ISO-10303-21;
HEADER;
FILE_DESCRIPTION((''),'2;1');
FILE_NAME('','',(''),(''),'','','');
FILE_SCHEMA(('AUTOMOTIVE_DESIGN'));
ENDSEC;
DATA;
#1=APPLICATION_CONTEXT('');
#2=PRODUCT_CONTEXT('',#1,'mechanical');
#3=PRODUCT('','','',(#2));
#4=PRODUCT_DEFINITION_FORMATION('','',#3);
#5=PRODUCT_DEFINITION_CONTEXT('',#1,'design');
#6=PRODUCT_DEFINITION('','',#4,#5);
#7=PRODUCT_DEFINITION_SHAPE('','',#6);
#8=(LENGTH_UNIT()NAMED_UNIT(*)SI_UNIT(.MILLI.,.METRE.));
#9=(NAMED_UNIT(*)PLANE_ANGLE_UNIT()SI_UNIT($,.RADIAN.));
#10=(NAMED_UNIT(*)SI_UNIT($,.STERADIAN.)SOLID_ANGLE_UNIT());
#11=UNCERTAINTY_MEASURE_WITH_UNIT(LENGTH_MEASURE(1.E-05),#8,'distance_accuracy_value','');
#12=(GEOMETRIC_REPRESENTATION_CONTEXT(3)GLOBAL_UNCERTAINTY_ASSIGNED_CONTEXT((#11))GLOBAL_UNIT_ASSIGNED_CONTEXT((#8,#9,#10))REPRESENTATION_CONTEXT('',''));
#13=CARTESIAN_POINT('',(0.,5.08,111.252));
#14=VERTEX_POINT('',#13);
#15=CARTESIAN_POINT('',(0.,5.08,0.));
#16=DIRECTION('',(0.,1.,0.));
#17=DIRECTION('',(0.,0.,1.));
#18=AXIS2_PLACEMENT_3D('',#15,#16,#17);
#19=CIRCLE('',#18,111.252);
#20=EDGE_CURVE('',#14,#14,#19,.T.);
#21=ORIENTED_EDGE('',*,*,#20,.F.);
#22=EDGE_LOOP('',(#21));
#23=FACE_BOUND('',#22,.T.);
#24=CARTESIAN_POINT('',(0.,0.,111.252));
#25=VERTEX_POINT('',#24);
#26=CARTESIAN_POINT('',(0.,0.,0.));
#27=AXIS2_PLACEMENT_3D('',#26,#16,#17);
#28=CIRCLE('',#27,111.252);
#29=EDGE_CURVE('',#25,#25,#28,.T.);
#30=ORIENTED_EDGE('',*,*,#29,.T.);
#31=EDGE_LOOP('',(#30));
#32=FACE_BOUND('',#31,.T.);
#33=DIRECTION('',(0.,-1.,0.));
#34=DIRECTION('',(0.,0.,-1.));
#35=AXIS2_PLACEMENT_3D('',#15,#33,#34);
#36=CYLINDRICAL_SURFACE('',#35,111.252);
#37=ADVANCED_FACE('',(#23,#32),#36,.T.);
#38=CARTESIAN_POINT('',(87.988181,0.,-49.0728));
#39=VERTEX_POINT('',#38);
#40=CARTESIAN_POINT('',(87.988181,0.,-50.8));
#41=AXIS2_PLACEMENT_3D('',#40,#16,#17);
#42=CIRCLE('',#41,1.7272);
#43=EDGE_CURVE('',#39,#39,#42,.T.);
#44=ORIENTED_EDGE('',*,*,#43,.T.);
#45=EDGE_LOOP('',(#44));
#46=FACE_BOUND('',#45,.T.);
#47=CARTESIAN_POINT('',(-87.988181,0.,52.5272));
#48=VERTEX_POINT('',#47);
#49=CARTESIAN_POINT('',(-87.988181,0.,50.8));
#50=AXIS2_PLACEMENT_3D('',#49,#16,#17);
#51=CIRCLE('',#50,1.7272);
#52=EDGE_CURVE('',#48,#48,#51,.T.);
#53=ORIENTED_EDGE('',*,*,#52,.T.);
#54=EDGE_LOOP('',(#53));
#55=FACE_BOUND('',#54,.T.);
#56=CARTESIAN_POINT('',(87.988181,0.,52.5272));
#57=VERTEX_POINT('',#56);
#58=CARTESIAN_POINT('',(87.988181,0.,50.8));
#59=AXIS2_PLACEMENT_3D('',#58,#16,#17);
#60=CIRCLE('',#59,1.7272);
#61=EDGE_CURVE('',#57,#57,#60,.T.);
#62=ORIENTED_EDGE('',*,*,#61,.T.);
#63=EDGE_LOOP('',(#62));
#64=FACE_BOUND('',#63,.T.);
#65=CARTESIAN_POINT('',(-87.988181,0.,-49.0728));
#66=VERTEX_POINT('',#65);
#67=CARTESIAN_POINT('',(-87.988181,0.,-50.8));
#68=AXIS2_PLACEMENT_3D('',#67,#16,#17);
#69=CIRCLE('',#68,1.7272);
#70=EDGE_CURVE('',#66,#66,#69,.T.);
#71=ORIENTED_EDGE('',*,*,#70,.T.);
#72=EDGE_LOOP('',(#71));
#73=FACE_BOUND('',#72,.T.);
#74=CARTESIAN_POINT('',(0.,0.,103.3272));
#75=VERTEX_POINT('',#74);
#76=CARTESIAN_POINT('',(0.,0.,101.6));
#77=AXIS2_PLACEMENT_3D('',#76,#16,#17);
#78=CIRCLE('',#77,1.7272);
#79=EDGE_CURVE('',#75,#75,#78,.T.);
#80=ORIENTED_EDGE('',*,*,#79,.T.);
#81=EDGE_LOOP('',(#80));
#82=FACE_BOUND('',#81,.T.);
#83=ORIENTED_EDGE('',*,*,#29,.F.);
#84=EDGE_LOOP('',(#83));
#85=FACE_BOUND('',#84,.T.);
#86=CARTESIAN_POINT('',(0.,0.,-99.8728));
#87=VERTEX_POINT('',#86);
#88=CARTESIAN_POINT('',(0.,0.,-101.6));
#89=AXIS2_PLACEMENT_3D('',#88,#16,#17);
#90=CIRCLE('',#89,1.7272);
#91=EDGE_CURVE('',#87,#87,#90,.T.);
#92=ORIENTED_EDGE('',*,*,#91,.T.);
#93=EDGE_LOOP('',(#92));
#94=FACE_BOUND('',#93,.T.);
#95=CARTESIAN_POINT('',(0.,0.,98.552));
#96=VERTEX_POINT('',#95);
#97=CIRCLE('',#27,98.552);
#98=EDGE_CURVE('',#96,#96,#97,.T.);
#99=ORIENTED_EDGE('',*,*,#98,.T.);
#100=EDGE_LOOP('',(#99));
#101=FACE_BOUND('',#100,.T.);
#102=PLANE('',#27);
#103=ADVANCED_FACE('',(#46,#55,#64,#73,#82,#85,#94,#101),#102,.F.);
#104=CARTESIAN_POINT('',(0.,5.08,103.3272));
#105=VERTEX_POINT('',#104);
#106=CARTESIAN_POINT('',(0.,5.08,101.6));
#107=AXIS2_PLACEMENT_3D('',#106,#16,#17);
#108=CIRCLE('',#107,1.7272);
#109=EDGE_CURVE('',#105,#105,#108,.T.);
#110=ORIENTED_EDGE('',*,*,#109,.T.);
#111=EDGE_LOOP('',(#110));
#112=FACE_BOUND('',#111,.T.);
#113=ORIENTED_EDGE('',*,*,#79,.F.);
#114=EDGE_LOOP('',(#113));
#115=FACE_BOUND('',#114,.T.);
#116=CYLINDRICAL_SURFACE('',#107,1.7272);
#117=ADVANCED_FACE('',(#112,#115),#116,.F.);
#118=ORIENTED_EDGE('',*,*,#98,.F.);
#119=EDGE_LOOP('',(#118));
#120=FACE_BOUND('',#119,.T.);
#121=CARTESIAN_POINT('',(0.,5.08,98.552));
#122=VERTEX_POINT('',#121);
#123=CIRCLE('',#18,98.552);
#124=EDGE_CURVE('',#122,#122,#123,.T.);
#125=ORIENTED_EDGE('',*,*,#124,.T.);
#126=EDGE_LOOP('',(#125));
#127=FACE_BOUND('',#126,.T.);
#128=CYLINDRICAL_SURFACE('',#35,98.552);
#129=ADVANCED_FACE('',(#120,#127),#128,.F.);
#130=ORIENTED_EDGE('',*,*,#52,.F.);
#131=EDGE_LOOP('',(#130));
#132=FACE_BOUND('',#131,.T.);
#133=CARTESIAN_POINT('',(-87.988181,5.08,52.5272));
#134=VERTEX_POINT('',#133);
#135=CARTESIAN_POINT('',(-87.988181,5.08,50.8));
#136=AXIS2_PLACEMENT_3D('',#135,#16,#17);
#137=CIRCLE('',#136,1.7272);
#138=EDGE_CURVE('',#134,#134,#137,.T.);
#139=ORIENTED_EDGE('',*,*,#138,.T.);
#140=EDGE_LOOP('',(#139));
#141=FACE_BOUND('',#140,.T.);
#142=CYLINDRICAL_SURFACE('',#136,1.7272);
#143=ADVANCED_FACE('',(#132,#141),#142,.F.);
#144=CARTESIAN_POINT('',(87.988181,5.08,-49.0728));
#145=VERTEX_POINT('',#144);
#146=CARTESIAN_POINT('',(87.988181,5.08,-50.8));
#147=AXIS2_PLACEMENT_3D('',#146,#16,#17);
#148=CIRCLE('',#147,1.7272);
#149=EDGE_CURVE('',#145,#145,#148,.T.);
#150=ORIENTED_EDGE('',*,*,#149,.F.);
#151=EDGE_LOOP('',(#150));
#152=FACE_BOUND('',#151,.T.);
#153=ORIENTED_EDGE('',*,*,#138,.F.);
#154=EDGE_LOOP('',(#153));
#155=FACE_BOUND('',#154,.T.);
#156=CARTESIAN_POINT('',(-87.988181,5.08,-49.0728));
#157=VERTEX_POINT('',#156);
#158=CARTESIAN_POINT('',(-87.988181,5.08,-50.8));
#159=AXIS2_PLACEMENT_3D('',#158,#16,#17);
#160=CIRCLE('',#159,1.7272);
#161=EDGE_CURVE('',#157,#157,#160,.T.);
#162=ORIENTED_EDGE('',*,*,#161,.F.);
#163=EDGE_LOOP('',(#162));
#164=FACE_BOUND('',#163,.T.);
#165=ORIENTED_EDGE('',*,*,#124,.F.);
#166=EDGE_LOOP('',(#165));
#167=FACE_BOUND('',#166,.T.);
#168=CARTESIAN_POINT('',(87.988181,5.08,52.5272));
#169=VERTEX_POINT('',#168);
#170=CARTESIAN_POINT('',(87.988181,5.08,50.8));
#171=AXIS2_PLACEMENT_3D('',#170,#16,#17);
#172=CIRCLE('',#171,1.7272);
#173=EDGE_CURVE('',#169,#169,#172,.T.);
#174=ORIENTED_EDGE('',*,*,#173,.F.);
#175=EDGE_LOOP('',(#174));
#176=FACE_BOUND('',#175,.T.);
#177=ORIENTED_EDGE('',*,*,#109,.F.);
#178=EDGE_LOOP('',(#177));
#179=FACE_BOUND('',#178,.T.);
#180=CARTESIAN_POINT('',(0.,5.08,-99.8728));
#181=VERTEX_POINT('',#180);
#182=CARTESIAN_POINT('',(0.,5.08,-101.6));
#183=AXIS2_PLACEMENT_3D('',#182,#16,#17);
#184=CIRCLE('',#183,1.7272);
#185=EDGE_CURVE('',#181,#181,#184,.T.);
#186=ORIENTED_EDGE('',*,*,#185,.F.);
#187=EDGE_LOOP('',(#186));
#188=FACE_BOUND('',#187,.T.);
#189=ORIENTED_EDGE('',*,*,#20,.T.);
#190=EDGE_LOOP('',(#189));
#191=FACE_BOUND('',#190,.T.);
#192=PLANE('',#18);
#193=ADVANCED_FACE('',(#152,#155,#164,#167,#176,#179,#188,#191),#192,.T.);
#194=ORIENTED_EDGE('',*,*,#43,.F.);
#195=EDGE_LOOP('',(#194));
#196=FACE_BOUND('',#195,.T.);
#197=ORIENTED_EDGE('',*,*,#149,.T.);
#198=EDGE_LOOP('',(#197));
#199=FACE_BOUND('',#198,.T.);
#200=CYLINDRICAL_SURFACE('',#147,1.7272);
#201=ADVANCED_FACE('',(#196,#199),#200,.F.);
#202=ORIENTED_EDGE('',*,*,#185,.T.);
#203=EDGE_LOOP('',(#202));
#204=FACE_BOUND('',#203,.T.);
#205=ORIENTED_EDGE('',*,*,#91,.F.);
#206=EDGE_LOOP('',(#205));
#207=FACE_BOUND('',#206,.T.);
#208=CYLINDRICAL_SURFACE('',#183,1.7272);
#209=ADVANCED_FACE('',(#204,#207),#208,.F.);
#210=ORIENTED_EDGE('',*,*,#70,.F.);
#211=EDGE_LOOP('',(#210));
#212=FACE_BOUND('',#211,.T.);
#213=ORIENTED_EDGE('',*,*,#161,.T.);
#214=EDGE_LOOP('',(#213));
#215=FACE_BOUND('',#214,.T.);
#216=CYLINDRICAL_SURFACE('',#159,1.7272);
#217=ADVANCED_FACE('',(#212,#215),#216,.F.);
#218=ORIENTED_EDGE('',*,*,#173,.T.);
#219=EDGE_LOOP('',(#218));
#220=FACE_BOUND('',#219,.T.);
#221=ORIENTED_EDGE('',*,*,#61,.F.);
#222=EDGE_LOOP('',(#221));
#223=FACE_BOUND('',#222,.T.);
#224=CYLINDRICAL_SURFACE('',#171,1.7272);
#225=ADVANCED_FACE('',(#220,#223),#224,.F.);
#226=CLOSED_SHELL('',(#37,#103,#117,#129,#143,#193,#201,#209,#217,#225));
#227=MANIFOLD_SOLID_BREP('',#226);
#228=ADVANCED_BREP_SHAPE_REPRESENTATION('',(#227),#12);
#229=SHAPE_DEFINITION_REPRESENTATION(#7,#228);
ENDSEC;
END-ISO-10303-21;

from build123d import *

# Parameters (mm, degrees)
SKETCH1_R                     = 111.252
SKETCH1_R_2                   = 98.552
BOSS_EXTRUDE1_DEPTH           = 5.08
TAP_DRILL_FOR_8_32_TAP1_D     = 3.4544
TAP_DRILL_FOR_8_32_TAP1_DEPTH = 25.4
TAP_DRILL_FOR_8_32_TAP1_TIP   = 1.037806461


with BuildPart() as part:
    # Sketch1 → Boss-Extrude1 (new body)
    with BuildSketch(Plane(origin=(0, 0, 0), x_dir=(1, 0, 0), z_dir=(0, 1, 0))):
        Circle(SKETCH1_R)
        Circle(SKETCH1_R_2, mode=Mode.SUBTRACT)
    extrude(amount=BOSS_EXTRUDE1_DEPTH)

    # Tap Drill for #8-32 Tap1
    with Locations(Plane(origin=(0, 5.08, 0), x_dir=(1, 0, 0), z_dir=(0, 1, 0))):
        with Locations((-87.988181024, 50.8), (0, 101.6), (87.988181024, 50.8), (87.988181024, -50.8), (0, -101.6), (-87.988181024, -50.8)):
            Hole(TAP_DRILL_FOR_8_32_TAP1_D / 2, depth=TAP_DRILL_FOR_8_32_TAP1_DEPTH)
            with Locations((0, 0, -(TAP_DRILL_FOR_8_32_TAP1_DEPTH + TAP_DRILL_FOR_8_32_TAP1_TIP / 2))):  # 118° drill point
                Cone(0, TAP_DRILL_FOR_8_32_TAP1_D / 2, TAP_DRILL_FOR_8_32_TAP1_TIP, mode=Mode.SUBTRACT)


solid = part.part
